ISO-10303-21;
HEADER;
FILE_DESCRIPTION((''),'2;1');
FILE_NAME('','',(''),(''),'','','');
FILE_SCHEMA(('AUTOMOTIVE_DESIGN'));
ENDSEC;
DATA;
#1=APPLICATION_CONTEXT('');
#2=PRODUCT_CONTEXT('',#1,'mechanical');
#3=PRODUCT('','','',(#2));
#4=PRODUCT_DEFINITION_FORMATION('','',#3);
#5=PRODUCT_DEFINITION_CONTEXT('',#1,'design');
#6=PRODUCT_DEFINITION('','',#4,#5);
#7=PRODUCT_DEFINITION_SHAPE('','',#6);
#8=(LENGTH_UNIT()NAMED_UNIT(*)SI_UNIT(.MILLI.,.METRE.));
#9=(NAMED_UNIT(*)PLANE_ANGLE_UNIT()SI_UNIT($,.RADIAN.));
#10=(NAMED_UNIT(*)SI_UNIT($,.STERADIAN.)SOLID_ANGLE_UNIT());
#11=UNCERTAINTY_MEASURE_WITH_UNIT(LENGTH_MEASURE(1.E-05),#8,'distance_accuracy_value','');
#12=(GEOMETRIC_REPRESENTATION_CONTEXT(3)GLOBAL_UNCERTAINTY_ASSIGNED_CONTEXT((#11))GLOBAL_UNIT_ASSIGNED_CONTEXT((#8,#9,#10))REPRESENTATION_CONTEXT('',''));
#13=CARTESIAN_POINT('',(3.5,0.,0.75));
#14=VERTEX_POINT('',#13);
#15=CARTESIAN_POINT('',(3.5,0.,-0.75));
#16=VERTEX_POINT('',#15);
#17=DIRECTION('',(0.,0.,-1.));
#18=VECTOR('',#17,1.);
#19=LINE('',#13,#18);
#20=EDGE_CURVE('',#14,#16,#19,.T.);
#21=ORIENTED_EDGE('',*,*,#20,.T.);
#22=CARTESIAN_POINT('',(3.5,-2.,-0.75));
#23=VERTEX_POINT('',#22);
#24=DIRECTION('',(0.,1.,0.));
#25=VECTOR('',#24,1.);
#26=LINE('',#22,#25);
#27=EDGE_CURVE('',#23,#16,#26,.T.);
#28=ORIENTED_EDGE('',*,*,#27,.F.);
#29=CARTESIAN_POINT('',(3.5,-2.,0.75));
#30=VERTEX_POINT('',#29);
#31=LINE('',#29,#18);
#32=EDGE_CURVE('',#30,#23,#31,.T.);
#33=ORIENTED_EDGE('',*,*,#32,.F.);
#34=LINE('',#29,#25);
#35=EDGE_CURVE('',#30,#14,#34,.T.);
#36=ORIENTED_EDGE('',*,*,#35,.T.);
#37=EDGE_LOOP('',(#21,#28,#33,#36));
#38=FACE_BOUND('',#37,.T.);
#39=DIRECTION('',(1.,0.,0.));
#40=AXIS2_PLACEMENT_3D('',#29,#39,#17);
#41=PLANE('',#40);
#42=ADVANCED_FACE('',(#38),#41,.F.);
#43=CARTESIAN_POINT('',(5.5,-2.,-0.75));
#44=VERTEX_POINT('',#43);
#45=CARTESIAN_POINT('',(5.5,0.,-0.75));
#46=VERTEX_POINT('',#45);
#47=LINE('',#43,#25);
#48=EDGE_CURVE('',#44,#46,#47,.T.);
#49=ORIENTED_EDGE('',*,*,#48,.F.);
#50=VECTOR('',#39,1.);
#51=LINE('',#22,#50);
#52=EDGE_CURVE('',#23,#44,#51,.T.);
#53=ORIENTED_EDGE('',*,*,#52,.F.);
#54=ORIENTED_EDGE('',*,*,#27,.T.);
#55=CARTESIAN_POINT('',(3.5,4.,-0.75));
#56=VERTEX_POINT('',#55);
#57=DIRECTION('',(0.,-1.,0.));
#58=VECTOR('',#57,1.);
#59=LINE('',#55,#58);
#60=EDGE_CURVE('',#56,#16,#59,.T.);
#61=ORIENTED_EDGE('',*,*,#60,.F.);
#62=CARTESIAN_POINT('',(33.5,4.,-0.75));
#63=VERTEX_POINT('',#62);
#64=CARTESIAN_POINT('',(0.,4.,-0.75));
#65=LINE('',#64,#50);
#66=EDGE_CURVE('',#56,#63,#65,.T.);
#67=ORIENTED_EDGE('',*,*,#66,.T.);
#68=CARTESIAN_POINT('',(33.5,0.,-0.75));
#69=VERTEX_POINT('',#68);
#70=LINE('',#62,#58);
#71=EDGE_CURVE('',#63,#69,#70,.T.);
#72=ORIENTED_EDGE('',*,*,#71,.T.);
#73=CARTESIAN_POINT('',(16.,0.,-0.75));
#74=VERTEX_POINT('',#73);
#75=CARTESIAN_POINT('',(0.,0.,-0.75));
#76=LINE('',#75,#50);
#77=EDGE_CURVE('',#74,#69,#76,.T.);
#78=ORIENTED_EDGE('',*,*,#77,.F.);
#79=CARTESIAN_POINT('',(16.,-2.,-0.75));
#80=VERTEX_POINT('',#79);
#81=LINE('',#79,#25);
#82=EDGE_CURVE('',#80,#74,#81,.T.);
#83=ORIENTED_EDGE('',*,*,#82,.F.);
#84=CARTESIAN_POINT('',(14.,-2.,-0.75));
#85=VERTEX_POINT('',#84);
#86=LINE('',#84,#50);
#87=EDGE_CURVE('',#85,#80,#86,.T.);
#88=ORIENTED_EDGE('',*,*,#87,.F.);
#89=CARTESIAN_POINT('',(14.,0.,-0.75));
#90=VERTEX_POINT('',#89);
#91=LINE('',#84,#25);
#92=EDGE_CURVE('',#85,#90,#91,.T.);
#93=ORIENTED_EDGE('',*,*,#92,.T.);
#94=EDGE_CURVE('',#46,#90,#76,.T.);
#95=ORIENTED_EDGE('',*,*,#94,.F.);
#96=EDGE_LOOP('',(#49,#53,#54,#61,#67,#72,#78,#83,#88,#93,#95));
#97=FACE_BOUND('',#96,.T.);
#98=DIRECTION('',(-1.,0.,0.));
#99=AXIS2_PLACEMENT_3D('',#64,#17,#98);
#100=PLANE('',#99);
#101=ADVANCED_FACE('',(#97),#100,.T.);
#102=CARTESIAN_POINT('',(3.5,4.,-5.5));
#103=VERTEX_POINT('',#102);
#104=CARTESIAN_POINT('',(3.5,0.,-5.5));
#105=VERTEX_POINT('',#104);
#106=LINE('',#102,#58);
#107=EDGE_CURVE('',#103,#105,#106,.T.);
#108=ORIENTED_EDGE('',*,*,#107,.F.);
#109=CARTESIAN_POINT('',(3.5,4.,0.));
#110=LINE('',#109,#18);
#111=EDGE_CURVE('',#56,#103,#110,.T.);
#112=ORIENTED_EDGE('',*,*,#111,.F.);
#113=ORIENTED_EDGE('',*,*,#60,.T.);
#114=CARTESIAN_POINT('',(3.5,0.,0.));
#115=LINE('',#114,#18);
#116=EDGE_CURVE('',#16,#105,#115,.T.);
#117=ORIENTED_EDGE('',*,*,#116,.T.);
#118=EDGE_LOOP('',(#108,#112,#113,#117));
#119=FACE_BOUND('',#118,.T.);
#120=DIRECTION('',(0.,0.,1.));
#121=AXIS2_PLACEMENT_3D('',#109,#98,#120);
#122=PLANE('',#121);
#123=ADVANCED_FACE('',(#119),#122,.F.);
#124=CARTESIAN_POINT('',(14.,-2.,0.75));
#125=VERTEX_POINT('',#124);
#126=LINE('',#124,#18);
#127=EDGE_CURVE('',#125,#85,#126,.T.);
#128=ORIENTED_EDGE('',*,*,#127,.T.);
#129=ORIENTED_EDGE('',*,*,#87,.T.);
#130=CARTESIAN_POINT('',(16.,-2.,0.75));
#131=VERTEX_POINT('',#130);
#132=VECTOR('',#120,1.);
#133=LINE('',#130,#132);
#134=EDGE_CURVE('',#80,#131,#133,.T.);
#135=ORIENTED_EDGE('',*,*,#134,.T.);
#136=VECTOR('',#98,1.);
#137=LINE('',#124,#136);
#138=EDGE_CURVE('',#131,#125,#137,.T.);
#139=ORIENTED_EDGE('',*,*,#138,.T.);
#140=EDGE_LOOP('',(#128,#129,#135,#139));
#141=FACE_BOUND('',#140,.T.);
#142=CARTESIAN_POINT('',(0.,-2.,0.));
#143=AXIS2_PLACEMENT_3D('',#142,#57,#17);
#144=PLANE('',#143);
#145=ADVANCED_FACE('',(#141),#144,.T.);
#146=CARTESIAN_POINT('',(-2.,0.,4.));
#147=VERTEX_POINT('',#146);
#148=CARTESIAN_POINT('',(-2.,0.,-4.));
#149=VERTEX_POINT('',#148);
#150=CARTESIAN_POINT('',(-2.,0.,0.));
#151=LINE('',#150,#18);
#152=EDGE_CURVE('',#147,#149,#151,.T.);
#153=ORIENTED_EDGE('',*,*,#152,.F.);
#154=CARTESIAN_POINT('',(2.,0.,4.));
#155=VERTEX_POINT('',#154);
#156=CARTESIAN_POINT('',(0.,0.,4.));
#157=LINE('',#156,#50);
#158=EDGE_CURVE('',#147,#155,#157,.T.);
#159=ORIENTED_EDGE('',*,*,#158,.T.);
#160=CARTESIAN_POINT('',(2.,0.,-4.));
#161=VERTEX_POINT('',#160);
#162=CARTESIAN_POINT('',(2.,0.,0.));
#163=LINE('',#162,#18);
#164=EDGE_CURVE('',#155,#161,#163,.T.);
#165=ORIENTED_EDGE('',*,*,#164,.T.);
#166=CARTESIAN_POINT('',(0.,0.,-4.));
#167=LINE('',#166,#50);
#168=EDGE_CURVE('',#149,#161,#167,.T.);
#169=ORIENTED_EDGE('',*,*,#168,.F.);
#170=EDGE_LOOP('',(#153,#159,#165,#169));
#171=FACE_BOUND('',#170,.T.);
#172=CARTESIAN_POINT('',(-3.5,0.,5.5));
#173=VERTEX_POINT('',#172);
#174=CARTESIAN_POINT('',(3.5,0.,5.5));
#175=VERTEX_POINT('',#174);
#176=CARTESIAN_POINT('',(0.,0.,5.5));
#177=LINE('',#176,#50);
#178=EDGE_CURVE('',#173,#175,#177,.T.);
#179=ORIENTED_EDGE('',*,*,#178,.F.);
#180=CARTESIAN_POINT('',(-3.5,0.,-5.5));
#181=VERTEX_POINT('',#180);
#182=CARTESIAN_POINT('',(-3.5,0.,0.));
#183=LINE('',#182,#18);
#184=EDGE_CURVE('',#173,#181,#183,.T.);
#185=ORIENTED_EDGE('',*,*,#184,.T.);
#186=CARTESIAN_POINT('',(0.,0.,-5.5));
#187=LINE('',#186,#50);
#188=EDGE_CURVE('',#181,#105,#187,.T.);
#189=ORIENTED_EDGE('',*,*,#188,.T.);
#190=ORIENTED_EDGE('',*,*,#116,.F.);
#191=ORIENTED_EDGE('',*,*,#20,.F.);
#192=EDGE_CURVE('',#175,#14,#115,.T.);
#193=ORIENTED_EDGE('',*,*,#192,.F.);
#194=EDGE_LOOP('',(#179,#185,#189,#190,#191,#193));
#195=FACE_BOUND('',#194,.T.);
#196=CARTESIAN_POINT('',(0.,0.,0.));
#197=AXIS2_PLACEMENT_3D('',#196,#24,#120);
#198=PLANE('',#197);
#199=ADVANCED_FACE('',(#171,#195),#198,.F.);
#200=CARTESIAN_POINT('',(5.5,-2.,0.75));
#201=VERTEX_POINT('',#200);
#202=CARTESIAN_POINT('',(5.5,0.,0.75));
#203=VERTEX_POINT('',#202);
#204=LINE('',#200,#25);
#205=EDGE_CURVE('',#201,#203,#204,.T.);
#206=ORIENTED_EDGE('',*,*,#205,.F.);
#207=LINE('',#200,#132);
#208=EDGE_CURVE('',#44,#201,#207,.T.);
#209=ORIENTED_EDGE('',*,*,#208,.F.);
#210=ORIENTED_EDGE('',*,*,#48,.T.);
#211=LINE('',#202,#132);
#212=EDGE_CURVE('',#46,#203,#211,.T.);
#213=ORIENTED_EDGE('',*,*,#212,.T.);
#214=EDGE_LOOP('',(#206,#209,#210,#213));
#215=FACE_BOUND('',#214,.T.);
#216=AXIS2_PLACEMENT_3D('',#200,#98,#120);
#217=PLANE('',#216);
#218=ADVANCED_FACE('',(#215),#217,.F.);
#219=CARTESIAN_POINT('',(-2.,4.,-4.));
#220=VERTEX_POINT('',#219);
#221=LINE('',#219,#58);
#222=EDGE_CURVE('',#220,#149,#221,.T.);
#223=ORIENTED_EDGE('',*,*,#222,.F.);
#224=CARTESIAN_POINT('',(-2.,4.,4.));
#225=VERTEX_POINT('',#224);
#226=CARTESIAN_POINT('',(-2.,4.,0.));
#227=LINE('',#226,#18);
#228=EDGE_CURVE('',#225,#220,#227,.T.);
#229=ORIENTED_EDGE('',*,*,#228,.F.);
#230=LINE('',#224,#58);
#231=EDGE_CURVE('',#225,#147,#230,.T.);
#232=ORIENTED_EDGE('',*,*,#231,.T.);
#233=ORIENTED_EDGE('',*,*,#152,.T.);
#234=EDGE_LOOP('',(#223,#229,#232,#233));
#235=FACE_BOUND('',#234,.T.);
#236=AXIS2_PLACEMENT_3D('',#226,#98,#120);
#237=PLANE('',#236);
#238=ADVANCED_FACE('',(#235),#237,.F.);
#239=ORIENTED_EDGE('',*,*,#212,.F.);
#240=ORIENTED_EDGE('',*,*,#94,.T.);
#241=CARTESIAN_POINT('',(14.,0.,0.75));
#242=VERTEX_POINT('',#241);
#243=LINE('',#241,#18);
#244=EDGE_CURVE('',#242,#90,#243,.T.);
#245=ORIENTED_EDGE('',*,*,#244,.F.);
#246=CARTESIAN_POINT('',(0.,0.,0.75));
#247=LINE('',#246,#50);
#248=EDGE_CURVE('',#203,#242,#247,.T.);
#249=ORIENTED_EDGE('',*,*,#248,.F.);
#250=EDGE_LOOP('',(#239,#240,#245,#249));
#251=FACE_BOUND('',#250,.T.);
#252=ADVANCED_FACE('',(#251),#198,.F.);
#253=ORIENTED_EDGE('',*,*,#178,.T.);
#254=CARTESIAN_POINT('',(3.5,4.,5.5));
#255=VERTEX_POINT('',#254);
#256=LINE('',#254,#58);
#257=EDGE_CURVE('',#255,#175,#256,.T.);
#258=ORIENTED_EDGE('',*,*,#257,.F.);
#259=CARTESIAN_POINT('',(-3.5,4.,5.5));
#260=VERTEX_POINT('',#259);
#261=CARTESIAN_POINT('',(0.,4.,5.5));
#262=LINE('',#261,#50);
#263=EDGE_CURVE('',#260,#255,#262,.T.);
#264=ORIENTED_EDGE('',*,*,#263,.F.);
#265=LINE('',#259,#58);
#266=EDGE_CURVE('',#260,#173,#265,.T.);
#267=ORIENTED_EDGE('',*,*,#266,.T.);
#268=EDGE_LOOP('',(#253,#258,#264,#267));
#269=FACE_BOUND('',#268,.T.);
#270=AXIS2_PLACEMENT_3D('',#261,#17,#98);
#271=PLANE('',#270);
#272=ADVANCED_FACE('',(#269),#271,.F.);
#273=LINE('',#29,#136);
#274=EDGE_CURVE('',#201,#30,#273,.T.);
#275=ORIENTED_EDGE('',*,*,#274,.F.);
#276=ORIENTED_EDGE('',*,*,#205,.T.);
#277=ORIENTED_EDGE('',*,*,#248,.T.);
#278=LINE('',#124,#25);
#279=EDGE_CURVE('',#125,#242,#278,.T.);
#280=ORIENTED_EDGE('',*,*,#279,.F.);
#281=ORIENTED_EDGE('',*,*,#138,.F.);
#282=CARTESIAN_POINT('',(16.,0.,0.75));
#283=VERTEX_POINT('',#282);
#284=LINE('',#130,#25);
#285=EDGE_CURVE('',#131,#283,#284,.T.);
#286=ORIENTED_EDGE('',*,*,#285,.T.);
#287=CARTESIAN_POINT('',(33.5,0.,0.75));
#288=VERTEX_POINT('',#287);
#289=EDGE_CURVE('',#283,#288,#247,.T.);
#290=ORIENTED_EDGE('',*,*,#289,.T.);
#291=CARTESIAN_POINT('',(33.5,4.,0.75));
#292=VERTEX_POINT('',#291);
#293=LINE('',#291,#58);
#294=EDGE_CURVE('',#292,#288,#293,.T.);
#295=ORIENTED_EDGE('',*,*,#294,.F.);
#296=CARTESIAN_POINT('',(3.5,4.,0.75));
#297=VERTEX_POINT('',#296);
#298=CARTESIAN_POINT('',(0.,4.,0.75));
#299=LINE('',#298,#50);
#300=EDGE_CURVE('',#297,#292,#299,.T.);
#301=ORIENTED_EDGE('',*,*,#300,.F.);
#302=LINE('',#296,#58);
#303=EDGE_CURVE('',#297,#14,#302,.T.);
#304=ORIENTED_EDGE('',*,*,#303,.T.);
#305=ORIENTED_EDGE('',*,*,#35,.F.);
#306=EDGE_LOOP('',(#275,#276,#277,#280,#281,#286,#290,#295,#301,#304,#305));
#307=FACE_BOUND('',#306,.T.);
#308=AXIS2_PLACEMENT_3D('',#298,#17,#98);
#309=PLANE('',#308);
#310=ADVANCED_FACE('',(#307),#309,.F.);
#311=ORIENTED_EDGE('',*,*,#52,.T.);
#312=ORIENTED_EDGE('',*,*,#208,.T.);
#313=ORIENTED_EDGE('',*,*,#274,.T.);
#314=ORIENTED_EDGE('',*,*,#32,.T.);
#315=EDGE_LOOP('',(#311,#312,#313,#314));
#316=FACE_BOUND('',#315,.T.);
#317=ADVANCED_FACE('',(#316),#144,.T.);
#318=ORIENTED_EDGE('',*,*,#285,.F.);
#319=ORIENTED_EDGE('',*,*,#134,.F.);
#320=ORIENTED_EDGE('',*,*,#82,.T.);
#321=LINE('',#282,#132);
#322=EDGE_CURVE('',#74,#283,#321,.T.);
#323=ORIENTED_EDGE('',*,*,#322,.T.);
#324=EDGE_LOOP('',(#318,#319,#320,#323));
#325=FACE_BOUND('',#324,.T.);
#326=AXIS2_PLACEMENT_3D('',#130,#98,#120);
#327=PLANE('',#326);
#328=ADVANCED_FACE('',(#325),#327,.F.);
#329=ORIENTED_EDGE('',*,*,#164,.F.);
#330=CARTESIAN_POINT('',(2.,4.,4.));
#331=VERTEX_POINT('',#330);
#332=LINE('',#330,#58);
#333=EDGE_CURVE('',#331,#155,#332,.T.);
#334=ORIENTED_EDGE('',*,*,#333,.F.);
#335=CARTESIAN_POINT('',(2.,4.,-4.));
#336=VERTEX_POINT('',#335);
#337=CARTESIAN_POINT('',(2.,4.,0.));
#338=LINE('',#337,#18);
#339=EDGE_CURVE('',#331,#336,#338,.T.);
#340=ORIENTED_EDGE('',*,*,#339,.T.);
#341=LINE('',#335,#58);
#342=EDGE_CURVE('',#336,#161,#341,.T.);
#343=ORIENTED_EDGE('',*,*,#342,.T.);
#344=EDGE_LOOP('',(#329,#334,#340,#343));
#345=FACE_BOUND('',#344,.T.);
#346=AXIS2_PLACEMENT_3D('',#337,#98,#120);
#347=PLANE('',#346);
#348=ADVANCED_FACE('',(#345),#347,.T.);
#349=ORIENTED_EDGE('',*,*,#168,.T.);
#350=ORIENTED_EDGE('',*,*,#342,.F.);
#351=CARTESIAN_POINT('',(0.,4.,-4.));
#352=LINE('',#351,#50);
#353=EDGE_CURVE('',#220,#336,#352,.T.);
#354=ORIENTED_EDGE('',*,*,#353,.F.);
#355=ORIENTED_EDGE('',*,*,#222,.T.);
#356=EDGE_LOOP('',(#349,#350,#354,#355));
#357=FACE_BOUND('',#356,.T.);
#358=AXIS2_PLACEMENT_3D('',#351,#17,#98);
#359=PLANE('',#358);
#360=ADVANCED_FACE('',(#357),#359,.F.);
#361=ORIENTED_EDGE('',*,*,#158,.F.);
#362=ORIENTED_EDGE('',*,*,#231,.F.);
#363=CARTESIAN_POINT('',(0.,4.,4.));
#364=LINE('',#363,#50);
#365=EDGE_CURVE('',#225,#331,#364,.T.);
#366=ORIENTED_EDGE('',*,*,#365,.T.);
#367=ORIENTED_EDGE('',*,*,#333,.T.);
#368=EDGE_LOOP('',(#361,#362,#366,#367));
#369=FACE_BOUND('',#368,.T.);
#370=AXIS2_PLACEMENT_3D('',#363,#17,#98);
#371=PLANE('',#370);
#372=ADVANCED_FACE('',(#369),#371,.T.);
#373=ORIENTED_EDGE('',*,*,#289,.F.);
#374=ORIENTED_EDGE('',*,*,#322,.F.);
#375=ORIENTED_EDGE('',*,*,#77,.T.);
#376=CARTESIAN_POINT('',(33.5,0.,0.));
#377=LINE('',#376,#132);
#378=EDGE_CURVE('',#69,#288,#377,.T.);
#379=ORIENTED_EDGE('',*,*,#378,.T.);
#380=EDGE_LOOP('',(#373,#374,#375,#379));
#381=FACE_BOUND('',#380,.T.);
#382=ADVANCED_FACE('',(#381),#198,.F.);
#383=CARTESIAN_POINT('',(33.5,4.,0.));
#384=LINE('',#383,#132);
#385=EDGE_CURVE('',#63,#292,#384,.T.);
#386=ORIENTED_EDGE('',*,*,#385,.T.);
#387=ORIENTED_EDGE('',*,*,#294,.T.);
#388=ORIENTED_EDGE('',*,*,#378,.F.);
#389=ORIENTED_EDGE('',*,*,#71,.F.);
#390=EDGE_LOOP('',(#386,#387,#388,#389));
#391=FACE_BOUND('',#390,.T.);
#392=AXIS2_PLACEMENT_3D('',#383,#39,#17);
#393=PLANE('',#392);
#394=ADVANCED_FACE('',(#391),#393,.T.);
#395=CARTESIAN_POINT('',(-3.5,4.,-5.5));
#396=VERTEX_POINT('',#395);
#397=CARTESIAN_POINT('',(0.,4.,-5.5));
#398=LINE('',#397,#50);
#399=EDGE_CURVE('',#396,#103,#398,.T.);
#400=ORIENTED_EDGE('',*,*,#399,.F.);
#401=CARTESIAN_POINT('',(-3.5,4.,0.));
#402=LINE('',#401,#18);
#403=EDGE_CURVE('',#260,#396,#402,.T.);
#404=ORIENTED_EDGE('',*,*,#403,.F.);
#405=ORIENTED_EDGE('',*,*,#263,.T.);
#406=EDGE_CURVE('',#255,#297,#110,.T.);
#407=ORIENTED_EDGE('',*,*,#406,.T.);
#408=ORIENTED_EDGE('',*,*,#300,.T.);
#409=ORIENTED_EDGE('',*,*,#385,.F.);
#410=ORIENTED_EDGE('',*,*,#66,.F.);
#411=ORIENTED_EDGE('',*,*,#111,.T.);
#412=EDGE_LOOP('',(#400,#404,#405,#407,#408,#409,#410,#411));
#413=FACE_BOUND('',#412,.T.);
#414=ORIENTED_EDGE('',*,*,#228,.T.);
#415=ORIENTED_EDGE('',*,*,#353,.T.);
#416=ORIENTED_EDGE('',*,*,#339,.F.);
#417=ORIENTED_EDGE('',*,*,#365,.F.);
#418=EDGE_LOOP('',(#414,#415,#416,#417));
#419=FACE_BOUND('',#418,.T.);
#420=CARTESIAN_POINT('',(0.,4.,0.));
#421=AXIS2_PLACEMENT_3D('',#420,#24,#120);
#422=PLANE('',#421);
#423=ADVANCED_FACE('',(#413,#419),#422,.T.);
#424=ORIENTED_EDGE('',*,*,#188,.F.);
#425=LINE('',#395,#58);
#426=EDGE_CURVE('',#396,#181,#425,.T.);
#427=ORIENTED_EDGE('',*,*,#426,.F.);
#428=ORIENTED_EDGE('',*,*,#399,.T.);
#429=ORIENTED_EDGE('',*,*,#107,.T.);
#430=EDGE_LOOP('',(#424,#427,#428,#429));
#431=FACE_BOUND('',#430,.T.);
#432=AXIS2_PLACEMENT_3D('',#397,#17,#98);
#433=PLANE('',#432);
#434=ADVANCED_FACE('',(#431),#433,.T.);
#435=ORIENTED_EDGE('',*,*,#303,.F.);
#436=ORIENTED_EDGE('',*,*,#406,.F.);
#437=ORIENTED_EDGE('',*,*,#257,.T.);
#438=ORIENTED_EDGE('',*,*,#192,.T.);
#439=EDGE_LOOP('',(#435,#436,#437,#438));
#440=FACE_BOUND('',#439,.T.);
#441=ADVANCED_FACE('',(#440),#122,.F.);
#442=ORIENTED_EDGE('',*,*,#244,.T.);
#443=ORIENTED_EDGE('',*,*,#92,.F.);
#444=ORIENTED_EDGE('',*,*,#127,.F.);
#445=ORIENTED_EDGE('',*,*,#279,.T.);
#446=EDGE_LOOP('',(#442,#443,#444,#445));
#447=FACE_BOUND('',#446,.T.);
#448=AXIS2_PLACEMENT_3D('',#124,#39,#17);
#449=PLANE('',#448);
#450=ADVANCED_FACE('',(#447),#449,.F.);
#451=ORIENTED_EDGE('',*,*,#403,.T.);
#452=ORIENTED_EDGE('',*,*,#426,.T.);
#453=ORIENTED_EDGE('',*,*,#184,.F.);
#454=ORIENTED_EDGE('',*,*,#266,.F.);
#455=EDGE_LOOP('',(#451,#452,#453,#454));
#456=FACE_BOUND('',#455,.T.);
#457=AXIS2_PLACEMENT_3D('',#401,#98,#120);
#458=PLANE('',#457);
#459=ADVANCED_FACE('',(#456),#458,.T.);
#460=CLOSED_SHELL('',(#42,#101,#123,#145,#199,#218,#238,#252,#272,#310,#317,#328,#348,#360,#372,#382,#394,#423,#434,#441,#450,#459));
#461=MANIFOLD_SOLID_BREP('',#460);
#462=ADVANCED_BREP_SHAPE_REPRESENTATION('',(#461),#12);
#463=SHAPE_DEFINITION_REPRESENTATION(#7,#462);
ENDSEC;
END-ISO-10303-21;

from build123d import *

# Parameters (mm, degrees)
SKETCH1_W           = 30
SKETCH1_H           = 1.5
SKETCH1_W_2         = 7
SKETCH1_H_2         = 11
SKETCH1_W_3         = 4
SKETCH1_H_3         = 8
BOSS_EXTRUDE1_DEPTH = 4
SKETCH2_W           = 2
SKETCH2_H           = 1.5
BOSS_EXTRUDE2_DEPTH = 2
SKETCH3_W           = 2
SKETCH3_H           = 1.5
BOSS_EXTRUDE3_DEPTH = 2


with BuildPart() as part:
    # Sketch1 → Boss-Extrude1 (new body)
    # profile 1 of 2: a face of its own
    with BuildSketch(Plane(origin=(0, 0, 0), x_dir=(1, 0, 0), z_dir=(0, 1, 0))):
        with Locations((18.5, 0)):
            Rectangle(SKETCH1_W, SKETCH1_H)
    # profile 2 of 2: a face of its own
    with BuildSketch(Plane(origin=(0, 0, 0), x_dir=(1, 0, 0), z_dir=(0, 1, 0))):
        Rectangle(SKETCH1_W_2, SKETCH1_H_2)
        Rectangle(SKETCH1_W_3, SKETCH1_H_3, mode=Mode.SUBTRACT)
    extrude(amount=BOSS_EXTRUDE1_DEPTH)

    # Sketch2 → Boss-Extrude2 (add)
    with BuildSketch(Plane.XZ):
        with Locations((15, 0)):
            Rectangle(SKETCH2_W, SKETCH2_H)
    extrude(amount=BOSS_EXTRUDE2_DEPTH)

    # Sketch3 → Boss-Extrude3 (add)
    with BuildSketch(Plane(origin=(0, 0, 0), x_dir=(-1, 0, 0), z_dir=(0, -1, 0))):
        with Locations((-4.5, 0)):
            Rectangle(SKETCH3_W, SKETCH3_H)
    extrude(amount=BOSS_EXTRUDE3_DEPTH)


solid = part.part
